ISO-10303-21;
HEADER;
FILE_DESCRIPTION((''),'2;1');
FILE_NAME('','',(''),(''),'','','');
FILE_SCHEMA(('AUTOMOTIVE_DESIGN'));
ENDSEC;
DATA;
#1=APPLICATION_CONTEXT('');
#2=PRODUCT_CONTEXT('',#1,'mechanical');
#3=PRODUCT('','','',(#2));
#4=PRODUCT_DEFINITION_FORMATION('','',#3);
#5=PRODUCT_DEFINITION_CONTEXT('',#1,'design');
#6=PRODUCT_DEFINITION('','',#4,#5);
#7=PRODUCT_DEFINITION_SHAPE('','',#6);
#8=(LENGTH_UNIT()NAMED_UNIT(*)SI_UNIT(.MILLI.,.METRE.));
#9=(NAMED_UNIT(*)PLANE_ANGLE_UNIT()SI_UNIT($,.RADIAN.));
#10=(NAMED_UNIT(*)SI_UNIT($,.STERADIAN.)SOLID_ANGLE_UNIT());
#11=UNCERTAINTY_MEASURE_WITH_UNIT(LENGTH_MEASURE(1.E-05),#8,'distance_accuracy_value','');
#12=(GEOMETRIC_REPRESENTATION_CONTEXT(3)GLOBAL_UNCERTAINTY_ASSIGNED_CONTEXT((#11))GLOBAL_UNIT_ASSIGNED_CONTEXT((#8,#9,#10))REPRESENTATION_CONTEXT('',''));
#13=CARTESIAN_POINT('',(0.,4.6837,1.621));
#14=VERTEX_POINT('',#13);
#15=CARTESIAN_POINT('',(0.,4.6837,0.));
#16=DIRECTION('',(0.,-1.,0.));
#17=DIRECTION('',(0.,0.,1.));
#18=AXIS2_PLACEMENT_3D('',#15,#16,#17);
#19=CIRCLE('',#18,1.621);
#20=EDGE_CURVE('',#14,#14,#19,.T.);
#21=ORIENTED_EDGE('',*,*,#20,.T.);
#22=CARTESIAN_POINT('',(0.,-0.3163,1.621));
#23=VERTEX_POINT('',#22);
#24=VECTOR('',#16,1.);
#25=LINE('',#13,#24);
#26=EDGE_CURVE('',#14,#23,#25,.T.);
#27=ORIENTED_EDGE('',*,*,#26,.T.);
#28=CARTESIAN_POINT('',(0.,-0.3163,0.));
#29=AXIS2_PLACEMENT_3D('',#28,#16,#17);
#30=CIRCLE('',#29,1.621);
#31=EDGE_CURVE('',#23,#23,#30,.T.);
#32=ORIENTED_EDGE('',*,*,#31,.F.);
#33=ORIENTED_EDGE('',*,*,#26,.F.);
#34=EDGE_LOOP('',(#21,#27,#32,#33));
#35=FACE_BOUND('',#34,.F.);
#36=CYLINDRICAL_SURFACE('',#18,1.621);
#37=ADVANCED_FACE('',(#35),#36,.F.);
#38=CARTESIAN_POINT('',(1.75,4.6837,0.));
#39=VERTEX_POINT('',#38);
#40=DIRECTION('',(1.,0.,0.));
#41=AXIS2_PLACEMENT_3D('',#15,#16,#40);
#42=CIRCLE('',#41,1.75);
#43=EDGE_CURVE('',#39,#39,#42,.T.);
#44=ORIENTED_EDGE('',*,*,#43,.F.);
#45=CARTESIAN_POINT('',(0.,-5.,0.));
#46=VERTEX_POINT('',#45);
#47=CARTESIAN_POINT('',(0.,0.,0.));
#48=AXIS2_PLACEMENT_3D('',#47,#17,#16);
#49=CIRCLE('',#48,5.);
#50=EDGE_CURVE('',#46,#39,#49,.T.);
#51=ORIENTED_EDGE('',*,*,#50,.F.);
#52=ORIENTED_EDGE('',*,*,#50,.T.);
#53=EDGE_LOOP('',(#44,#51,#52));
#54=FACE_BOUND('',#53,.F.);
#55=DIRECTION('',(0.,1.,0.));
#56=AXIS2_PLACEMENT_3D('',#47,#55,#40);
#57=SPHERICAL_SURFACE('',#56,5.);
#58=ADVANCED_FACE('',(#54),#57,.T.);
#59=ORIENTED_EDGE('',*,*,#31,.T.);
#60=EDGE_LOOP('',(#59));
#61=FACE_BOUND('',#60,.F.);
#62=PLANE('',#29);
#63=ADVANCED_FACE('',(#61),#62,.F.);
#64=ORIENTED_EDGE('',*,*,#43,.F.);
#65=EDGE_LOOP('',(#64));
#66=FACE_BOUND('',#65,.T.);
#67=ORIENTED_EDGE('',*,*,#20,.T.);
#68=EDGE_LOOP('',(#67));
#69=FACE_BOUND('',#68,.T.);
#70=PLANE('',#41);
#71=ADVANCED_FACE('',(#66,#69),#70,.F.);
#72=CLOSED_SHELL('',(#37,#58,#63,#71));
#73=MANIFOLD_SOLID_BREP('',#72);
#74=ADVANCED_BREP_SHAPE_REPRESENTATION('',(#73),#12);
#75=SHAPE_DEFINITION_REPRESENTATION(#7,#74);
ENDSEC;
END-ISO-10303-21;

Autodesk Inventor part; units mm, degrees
ref_plane "YZ Plane" through (0, 0, 0) normal (1, 0, 0) x (0, 1, 0)
ref_plane "XZ Plane" through (0, 0, 0) normal (0, 1, 0) x (-1, 0, 0)
sketch "Sketch1" plane through (0, 0, 0) normal (0, 0, 1) x (1, 0, 0)
  circle A0 centre (0, 0) radius 5
  line L0 (-1.75, 4.6837) -> (1.75, 4.6837)
  line L1 (0, 6.3391) -> (0, -8.1264)
  point P0 (0, 4.6837)
  point P1 (0, -5)
  dimension "d0" = 10
  dimension "d10" = 3.5
revolve "Revolution1" add sketch "Sketch1" angle 360 about axis through (0, 6.3391, 0) along (0, -1, 0) picked at (0.3709, -1.7303) contours A0 L1 L0
sketch "Sketch2" plane through (0, 4.6837, 0) normal (0, 1, 0) x (1, 0, 0)
  point P0 (0, 0)
  point P1 (0, 0)
hole "Hole1" at (0, 4.6837, 0) direction (0, -1, 0) diameter 3.242 depth 5 thread size "M4x0.7" class "6H" standard "ANSI Metric M Profile"
ref_plane "Work Plane1" through (0, 4.6837, 0) normal (0, 1, 0) x (1, 0, 0)
properties part number "10mm M4 Ball"
